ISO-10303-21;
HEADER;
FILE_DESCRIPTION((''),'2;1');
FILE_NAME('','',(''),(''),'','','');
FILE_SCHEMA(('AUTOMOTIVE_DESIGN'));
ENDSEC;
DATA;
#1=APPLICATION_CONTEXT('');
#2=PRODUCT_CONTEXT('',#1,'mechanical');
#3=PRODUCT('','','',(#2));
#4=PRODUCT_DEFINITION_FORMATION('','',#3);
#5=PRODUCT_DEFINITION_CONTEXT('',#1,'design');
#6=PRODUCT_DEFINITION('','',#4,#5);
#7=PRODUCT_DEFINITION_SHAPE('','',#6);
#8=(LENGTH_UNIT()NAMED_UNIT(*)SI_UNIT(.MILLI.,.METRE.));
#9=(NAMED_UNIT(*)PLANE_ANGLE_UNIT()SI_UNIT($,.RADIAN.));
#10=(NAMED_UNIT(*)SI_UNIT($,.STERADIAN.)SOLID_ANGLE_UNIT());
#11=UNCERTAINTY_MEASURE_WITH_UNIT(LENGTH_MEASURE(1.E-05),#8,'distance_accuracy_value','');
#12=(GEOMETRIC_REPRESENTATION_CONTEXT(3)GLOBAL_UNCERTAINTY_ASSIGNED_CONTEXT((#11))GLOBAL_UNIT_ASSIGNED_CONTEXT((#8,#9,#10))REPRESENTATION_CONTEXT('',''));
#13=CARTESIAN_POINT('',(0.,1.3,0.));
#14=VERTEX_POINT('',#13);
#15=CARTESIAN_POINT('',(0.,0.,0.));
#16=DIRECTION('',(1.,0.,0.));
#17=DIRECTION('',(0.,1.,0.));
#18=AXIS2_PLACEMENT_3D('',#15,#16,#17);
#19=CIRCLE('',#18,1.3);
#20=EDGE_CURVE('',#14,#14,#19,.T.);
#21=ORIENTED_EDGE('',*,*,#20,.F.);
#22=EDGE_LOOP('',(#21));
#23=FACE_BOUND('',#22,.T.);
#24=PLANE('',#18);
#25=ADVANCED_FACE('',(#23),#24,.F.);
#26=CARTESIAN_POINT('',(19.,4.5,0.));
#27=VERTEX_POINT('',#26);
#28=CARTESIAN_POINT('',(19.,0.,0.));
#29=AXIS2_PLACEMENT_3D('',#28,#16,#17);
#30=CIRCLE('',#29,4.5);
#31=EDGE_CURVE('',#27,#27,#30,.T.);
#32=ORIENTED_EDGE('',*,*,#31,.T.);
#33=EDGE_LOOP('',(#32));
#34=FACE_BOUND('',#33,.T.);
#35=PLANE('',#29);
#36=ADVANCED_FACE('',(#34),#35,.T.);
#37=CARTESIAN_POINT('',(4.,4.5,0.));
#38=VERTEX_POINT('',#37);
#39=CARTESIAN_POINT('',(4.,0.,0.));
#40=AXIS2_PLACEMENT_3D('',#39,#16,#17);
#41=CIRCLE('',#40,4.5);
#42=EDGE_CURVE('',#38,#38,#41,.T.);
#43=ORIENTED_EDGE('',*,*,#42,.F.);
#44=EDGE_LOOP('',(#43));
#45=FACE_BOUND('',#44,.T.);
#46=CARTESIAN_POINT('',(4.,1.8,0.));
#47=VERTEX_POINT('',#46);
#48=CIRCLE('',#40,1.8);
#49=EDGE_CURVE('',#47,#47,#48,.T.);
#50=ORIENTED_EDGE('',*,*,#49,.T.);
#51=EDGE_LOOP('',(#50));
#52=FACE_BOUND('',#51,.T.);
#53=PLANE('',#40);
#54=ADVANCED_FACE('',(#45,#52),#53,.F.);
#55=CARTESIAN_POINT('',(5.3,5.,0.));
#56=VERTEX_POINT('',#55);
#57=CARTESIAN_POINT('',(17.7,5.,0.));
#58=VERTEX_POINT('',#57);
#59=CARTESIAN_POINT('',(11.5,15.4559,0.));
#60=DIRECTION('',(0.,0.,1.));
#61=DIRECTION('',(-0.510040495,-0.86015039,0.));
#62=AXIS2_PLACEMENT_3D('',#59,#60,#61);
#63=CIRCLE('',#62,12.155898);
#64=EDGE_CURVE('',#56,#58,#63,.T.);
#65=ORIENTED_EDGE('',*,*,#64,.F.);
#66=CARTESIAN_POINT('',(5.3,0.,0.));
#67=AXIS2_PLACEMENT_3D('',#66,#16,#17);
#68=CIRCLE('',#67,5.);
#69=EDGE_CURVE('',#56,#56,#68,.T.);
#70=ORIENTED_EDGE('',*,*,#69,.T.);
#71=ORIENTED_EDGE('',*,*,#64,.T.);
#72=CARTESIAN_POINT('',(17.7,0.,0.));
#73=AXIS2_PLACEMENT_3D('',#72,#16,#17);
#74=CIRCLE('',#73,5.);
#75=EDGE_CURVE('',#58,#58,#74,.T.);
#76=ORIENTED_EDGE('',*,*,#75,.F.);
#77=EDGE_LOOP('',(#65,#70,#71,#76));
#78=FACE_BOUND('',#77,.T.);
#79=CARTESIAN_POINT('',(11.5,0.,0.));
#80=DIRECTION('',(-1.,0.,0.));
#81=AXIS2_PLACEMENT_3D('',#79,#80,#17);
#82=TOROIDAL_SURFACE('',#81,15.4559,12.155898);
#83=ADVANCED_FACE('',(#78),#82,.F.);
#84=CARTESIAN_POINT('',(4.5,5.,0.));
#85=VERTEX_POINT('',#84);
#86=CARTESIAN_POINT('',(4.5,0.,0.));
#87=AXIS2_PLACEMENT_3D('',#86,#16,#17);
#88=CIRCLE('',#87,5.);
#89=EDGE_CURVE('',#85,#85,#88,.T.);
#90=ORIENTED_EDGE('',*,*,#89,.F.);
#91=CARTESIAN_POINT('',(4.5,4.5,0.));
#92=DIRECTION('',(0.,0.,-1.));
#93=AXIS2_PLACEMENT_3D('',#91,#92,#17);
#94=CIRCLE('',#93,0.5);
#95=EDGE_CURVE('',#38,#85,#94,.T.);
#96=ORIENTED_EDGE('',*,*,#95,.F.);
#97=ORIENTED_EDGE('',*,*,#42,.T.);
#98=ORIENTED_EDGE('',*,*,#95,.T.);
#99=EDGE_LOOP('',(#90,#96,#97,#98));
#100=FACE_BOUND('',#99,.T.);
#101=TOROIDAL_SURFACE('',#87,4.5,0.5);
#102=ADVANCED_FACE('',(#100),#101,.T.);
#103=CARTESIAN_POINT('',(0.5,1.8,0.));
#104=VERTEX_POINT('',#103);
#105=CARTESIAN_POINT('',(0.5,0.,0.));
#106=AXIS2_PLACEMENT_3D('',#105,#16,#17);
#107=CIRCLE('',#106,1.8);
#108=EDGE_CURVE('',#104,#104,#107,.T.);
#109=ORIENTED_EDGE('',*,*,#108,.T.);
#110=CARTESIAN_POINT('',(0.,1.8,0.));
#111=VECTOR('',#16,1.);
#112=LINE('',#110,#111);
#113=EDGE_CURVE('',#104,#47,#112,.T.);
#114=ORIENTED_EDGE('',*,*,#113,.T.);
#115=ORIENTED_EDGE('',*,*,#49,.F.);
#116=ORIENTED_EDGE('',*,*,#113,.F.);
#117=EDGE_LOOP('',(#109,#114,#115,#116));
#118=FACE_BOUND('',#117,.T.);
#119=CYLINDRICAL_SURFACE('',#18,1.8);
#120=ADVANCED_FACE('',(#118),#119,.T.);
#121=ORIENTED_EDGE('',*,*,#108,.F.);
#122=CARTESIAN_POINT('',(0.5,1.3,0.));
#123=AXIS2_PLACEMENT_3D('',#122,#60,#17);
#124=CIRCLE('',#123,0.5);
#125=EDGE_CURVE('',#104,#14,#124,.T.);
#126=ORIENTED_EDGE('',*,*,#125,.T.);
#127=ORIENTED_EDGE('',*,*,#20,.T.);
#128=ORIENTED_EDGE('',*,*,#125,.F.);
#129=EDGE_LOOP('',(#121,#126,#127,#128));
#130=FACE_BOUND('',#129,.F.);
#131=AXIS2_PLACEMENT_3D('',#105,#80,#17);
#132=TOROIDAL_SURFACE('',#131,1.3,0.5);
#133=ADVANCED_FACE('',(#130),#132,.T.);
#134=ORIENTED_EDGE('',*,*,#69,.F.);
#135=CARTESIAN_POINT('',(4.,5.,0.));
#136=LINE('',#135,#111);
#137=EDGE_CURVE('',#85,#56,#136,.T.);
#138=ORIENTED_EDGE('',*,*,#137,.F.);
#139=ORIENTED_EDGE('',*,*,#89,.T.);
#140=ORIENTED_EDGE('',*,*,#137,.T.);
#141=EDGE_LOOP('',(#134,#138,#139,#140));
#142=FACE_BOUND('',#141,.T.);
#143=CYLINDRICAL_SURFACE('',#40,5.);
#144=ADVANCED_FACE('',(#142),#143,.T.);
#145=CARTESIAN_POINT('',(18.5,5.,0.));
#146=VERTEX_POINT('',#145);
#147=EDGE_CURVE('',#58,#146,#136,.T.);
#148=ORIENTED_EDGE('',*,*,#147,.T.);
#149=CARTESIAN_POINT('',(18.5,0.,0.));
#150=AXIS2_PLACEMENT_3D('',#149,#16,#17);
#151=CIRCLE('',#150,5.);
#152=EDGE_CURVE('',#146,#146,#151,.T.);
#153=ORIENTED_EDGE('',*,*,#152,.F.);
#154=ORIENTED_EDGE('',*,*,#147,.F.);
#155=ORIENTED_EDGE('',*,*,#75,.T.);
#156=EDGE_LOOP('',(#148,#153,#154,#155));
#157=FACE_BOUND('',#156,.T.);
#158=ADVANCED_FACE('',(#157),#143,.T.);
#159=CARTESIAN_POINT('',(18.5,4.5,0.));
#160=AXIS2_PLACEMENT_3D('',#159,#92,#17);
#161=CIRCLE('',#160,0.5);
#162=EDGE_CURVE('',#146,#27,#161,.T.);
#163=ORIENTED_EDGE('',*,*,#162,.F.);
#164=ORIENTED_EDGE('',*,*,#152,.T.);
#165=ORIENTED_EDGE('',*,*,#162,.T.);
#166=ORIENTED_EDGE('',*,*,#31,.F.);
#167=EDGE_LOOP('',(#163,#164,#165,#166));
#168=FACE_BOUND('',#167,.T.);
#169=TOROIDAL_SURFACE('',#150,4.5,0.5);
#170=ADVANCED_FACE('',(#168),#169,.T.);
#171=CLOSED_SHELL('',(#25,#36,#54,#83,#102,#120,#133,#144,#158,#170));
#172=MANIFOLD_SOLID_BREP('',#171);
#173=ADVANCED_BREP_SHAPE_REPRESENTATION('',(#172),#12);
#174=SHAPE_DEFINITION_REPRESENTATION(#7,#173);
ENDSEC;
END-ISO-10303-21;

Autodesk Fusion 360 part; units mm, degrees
sketch "Esquisse1" plane through (0, 0, 0) normal (0, 0, 1) x (1, 0, 0)
  line L0 (0, 0) -> (25, 0) construction
  line L1 (0, 0) -> (0, 1.8)
  line L2 (0, 1.8) -> (4, 1.8)
  line L3 (4, 1.8) -> (4, 5)
  line L4 (4, 5) -> (19, 5)
  line L5 (19, 5) -> (19, 0)
  arc A0 (5.3, 5) -> (17.7, 5) centre (11.5, 15.4559) ccw
  line L6 (0, 0) -> (19, 0)
  line L7 (7.6902, 3.3) -> (16, 3.3) construction
  dimension "d1" = 1.8
  dimension "d2" = 4
  dimension "d3" = 5
  dimension "d4" = 1.3
  dimension "d5" = 1.3
  dimension "d12" = 15
  dimension "d14" = 3.3
revolve "Révolution1" add sketch "Esquisse1" angle 360 about axis through (0, 0, 0) along (1, 0, 0) contours L1 L2 L3 L4 L5 A0 L6
fillet "Congé1" radius 0.5 2 edges at (19, -1.8081, 4.6616) (4, -1.8081, 4.6616)
fillet "Congé2" radius 0.5 1 edges at (0, -0.6509, 1.6782)
